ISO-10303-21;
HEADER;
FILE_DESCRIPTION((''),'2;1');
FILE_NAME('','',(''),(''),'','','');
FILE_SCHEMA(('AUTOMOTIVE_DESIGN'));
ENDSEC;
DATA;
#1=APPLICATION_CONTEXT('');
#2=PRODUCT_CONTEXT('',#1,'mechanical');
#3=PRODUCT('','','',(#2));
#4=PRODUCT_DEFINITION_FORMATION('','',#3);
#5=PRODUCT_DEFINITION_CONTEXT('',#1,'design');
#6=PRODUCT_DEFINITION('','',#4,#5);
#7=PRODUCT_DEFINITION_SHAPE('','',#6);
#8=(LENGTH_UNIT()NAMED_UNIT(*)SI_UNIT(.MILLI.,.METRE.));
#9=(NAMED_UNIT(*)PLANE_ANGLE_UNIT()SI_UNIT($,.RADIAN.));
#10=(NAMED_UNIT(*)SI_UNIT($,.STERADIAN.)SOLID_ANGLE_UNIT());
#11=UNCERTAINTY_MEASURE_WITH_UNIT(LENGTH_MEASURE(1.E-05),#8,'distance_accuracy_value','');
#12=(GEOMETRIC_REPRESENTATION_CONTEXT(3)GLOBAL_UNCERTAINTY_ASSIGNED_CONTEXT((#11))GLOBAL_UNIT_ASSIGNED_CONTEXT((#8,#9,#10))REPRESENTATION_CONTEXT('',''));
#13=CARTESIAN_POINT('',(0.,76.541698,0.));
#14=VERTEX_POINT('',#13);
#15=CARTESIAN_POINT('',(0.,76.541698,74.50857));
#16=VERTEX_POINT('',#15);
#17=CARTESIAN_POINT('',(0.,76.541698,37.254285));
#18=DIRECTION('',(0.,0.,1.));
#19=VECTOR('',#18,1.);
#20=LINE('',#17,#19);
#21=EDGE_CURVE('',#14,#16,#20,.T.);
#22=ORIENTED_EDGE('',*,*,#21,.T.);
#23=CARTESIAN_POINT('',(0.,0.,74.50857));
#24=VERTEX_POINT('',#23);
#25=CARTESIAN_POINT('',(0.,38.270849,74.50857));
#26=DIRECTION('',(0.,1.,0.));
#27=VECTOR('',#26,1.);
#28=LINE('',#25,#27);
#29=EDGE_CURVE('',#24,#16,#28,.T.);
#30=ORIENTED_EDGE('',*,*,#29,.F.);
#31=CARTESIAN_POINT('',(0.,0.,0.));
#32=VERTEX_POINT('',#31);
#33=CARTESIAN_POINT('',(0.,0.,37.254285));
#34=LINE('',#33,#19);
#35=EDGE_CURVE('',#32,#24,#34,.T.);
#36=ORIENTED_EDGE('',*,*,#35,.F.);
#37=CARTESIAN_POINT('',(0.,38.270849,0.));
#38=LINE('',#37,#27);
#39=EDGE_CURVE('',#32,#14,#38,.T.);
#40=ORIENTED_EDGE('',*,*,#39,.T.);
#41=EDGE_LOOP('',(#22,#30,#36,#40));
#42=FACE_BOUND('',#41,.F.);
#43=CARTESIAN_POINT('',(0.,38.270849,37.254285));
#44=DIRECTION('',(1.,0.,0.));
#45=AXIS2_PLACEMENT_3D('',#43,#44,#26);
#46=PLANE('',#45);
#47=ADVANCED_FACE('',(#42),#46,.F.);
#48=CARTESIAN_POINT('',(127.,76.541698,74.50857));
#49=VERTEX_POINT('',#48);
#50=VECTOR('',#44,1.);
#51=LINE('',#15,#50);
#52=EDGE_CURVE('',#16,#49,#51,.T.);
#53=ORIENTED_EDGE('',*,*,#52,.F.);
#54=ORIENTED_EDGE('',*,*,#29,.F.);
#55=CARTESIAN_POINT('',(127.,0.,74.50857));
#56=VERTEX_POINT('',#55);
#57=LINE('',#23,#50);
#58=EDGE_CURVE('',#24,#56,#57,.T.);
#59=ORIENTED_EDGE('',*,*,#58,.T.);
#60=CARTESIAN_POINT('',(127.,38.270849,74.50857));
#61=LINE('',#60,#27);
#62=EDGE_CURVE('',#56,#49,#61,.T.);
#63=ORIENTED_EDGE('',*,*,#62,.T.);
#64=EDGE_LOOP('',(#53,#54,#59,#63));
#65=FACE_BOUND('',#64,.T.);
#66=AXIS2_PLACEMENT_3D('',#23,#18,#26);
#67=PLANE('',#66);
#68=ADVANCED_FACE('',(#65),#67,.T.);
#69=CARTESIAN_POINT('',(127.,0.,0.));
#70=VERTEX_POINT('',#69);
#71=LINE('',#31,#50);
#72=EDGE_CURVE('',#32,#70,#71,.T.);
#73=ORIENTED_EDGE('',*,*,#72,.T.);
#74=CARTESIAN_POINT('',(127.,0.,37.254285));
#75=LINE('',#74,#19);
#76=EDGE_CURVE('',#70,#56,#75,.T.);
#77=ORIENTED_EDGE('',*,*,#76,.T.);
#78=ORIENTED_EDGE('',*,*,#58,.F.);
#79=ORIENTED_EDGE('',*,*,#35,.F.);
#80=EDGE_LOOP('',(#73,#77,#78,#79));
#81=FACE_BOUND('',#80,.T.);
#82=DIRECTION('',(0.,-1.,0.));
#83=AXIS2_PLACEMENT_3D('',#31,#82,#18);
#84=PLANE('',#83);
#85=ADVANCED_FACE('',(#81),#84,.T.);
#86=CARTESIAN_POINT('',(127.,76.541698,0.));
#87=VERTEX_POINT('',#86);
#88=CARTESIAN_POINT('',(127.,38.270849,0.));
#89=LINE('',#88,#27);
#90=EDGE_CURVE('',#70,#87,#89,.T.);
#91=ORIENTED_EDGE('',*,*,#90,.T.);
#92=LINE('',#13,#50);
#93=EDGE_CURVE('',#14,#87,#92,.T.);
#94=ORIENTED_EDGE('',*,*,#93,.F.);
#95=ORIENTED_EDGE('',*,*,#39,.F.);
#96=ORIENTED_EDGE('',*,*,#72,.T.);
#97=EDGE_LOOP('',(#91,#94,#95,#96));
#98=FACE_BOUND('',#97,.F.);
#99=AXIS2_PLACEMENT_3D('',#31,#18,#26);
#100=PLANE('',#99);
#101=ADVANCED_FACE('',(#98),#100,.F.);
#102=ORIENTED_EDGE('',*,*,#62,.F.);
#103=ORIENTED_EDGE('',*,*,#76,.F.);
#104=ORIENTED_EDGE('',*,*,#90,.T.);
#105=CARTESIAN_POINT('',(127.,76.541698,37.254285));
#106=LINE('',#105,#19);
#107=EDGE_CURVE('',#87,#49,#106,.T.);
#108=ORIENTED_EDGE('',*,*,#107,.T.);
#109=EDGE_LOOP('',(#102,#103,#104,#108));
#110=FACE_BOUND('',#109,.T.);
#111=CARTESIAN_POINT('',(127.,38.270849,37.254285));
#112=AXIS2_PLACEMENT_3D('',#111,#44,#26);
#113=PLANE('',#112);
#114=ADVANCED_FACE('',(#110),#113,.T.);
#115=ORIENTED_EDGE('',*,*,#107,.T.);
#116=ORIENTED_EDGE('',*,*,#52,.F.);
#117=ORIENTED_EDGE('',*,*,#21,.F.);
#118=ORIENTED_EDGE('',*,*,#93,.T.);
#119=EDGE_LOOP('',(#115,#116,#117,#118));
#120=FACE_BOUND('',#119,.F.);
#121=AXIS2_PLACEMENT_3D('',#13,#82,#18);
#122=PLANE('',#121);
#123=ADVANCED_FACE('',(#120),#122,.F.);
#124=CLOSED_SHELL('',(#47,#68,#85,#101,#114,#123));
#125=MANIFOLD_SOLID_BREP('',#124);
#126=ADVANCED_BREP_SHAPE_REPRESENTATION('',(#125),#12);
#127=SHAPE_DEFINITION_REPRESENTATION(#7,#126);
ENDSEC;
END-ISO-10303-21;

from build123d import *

# Parameters (mm, degrees)
F0_W     = 76.541699
F0_H     = 74.50857
F1_DEPTH = 127
F3_R     = 24.434123
F4_DEPTH = 25.4


with BuildPart() as f1:
    # F0 (on Right) → F1 (new body)
    with BuildSketch(Plane.YZ):
        with Locations((38.270849, 37.254285)):
            Rectangle(F0_W, F0_H)
    extrude(amount=F1_DEPTH)

    # F3 (on face) → F4 (cut)
    with BuildSketch(Plane.XY.offset(74.50857)):
        with Locations((69.902609, 41.339627)):
            Circle(F3_R)
    extrude(amount=F4_DEPTH, mode=Mode.SUBTRACT)


solid = f1.part
